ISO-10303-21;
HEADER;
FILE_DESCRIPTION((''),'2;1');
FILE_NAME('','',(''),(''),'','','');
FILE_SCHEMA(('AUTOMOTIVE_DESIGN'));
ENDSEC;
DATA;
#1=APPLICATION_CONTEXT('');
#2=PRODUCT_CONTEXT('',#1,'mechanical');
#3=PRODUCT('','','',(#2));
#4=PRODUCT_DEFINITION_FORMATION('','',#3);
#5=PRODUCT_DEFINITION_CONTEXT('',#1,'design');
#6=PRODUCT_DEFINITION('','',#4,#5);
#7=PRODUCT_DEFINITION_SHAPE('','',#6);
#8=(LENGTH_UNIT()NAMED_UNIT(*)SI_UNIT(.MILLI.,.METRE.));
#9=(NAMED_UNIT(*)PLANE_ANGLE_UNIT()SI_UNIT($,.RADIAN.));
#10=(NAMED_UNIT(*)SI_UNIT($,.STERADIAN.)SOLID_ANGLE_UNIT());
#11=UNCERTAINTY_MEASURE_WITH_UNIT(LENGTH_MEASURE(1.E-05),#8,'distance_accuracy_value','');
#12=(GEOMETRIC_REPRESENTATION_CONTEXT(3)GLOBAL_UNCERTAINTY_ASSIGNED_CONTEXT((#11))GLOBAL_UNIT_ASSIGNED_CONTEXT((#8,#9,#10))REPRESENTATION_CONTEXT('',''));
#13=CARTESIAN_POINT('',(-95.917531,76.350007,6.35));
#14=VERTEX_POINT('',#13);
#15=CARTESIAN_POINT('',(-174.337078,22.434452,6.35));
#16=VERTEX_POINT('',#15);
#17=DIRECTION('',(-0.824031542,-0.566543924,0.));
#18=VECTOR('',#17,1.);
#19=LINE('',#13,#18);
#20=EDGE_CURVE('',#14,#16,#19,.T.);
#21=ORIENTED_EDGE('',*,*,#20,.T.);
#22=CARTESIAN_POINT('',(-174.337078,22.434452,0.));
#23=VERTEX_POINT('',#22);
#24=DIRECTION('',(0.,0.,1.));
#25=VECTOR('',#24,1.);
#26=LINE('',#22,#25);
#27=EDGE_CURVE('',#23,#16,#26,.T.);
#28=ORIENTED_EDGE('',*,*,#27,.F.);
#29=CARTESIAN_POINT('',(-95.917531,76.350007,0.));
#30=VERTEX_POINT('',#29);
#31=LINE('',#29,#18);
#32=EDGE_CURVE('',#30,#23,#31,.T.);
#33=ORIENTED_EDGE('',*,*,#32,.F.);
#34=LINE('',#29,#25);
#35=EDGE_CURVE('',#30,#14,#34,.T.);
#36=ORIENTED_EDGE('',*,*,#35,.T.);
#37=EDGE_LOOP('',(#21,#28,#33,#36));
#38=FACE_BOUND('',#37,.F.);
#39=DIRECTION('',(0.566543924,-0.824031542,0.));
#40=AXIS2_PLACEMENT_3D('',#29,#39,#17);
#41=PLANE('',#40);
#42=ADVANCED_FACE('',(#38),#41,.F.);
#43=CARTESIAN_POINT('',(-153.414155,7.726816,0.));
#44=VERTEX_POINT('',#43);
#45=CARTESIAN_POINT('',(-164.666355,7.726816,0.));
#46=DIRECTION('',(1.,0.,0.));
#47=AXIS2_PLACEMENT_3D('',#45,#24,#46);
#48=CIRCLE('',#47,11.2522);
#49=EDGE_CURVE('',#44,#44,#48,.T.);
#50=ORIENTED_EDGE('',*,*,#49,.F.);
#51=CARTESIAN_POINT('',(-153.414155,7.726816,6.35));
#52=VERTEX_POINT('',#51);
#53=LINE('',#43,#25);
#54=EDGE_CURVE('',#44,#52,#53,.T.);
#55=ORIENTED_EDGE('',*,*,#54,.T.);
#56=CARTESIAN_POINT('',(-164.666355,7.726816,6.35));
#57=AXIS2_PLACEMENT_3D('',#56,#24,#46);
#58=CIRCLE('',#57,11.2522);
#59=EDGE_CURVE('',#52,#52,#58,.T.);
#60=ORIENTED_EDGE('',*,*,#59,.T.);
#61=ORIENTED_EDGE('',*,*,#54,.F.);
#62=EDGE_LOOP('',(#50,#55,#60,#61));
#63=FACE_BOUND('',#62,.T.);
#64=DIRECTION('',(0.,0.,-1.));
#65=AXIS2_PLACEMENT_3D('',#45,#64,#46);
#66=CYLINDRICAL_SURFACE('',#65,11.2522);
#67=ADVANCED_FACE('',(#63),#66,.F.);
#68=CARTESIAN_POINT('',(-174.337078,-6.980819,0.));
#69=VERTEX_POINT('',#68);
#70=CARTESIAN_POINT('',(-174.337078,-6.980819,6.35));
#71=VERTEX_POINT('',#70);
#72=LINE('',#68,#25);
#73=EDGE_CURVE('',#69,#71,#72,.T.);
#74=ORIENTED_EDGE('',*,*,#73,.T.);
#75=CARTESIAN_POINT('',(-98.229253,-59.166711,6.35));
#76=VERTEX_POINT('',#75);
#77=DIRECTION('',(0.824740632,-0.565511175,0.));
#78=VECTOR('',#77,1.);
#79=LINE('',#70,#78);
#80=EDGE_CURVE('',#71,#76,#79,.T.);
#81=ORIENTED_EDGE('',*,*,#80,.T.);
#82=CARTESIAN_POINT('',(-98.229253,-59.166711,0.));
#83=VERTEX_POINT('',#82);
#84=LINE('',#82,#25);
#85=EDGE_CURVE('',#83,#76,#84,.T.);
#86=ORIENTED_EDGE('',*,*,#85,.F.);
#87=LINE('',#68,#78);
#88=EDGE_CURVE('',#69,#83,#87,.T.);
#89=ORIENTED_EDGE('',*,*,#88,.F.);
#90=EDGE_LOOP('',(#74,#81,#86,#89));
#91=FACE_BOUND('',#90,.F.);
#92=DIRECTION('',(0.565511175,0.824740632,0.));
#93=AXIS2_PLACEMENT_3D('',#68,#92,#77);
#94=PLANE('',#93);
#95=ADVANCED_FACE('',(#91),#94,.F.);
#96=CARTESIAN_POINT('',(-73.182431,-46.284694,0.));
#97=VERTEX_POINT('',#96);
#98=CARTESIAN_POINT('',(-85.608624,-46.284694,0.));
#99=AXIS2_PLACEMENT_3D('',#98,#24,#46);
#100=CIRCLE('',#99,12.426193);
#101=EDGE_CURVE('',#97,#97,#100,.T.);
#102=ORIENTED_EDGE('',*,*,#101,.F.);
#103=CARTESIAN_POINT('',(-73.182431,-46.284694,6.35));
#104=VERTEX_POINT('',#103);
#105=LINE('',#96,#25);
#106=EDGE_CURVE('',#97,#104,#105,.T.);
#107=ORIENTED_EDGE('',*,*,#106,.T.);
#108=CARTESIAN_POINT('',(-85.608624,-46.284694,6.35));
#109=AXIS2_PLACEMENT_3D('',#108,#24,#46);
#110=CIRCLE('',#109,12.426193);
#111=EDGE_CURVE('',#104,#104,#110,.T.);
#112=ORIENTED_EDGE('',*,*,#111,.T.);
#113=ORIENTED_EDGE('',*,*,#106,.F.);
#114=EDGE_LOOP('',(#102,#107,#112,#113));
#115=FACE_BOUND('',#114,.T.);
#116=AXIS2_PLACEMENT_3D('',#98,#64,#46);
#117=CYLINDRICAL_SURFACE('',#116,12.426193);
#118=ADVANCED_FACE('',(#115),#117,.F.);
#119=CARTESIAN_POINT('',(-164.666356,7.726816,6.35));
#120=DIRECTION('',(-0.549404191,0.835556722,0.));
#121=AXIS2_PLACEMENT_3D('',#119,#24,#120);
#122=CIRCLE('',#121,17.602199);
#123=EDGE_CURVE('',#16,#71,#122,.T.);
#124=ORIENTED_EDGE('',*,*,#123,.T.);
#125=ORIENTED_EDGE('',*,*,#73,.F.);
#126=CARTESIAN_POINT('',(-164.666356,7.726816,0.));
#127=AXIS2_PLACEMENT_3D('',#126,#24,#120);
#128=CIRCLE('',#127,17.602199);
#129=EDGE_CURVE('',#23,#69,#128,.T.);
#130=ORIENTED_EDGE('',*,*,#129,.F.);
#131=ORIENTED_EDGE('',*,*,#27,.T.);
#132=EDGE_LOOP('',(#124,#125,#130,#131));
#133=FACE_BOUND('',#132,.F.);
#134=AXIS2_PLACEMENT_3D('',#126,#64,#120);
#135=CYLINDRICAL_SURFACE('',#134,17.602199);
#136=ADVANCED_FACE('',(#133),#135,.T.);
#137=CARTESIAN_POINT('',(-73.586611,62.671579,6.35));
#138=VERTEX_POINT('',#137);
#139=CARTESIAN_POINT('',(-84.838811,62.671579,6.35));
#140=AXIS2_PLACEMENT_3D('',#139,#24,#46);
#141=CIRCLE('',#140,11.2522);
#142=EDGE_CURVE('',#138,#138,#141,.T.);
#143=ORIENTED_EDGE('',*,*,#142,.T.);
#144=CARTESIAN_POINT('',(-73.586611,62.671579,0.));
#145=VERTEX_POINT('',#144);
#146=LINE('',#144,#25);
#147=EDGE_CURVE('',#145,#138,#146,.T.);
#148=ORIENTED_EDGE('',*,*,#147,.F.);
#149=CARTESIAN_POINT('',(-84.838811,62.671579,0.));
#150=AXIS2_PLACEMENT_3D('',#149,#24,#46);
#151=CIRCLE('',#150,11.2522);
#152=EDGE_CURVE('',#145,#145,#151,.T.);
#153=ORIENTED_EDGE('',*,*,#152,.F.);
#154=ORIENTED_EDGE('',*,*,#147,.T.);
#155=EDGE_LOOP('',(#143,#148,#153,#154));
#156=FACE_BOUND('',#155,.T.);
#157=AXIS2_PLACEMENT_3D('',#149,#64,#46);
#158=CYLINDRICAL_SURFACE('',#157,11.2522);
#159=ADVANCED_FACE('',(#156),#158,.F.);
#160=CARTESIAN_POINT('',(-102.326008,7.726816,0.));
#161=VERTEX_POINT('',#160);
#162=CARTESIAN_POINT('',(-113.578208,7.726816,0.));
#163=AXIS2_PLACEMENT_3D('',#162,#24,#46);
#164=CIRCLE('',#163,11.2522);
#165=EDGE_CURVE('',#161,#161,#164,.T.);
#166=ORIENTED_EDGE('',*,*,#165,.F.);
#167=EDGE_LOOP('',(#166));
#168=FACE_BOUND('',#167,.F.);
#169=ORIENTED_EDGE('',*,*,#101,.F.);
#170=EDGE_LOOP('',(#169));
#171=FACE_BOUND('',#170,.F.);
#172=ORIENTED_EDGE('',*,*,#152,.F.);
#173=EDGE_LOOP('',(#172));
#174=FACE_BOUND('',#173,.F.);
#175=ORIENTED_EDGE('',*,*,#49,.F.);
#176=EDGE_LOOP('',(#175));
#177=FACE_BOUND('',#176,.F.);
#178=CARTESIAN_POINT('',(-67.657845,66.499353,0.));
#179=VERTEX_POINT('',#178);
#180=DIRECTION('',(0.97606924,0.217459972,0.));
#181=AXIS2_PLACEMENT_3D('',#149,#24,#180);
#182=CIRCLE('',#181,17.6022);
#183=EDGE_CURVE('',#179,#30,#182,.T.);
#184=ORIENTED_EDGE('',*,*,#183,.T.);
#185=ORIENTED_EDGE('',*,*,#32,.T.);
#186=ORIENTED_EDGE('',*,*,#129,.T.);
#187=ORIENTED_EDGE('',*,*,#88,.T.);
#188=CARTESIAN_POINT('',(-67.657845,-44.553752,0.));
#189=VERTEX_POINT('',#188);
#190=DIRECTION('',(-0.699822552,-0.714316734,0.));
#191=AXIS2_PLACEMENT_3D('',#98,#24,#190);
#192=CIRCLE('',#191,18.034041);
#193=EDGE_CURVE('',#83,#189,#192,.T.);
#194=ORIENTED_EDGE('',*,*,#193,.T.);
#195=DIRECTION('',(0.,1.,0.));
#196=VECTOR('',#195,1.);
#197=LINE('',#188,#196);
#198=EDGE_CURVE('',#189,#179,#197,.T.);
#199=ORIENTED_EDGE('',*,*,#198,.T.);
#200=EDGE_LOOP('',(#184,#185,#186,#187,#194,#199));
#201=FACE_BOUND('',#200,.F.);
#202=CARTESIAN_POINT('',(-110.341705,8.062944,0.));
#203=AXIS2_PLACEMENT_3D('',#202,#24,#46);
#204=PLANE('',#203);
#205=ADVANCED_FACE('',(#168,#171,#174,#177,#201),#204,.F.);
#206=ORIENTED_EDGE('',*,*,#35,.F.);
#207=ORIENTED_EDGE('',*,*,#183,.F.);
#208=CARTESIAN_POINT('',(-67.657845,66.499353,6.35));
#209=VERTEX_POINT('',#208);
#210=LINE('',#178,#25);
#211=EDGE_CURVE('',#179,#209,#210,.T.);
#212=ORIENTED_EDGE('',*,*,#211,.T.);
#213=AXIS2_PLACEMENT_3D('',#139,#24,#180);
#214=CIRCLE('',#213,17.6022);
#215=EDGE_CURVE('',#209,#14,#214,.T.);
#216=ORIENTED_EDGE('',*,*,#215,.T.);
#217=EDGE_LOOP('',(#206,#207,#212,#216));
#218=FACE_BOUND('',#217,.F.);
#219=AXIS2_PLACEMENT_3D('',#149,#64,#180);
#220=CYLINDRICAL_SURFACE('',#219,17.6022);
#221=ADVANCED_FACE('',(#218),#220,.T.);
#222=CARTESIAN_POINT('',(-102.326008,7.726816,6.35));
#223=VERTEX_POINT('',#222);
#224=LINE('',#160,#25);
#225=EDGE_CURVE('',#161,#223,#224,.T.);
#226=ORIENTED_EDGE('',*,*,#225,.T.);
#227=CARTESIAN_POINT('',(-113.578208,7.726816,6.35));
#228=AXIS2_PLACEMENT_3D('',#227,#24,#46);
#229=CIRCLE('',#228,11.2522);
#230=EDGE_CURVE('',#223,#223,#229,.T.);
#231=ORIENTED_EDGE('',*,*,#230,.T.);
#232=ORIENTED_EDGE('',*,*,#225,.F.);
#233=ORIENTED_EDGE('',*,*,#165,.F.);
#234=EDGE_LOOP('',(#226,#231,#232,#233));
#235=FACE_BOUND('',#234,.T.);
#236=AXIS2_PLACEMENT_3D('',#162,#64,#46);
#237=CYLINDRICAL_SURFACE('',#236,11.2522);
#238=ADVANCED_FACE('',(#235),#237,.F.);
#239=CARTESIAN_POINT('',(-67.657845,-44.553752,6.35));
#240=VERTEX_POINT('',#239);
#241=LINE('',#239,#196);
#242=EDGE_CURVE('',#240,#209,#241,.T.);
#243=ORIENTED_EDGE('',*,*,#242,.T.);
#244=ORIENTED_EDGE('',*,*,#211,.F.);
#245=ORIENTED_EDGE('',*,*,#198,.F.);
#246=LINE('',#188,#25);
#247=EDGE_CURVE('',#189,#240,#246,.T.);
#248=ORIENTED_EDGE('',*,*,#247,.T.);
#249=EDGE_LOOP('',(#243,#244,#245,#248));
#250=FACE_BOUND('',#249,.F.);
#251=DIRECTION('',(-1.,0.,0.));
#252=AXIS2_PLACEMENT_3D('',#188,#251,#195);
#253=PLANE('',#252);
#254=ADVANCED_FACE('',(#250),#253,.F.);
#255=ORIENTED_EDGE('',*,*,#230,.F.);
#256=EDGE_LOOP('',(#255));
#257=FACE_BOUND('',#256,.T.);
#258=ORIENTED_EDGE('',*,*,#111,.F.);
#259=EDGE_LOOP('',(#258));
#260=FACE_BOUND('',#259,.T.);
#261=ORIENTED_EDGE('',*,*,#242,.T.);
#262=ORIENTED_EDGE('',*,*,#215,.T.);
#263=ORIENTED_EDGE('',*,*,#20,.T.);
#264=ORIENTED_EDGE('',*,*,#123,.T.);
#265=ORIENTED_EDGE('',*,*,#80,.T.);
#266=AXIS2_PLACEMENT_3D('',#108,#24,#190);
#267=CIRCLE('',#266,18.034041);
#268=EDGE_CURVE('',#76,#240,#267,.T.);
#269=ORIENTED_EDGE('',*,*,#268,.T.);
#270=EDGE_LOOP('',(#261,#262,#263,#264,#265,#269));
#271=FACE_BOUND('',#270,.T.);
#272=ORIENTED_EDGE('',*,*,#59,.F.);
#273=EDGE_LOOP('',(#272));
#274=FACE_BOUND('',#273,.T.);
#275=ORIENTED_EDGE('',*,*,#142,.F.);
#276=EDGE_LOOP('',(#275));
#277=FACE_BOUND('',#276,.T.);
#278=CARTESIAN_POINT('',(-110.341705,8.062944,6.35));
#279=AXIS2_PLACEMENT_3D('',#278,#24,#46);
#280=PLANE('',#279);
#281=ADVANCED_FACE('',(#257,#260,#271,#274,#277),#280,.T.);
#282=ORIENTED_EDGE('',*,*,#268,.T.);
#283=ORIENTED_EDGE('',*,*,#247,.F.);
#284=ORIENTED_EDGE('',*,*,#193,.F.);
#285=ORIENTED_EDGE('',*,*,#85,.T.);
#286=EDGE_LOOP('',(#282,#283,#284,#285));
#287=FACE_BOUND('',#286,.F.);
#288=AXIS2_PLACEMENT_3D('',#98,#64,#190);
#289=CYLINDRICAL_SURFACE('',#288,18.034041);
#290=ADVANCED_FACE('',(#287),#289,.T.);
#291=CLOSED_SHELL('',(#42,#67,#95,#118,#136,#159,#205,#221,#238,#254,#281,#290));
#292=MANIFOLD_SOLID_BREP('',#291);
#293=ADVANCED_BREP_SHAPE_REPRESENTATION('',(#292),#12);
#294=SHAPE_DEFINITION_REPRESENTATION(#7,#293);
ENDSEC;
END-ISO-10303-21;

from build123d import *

# Parameters (mm, degrees)
F0_R     = 11.2522
F0_R_2   = 12.426193
F1_DEPTH = 6.35


with BuildPart() as f1:
    # F0 (on Top) → F1 (new body)
    with BuildSketch(Plane.XY):
        with BuildLine():
            Line((-67.657845, -44.553752), (-67.657845, 66.499353))
            ThreePointArc((-67.657845, 66.499353), (-79.045004, 79.292928), (-95.917531, 76.350007))
            Line((-95.917531, 76.350007), (-174.337078, 22.434452))
            ThreePointArc((-174.337078, 22.434452), (-182.268555, 7.726816), (-174.337078, -6.980819))
            Line((-174.337078, -6.980819), (-98.229253, -59.166711))
            ThreePointArc((-98.229253, -59.166711), (-77.831268, -62.555507), (-67.657845, -44.553752))
        make_face()
        with Locations((-164.666355, 7.726816)):
            Circle(F0_R, mode=Mode.SUBTRACT)
        with Locations((-85.608624, -46.284694)):
            Circle(F0_R_2, mode=Mode.SUBTRACT)
        with Locations((-113.578208, 7.726816)):
            Circle(F0_R, mode=Mode.SUBTRACT)
        with Locations((-84.838811, 62.671579)):
            Circle(F0_R, mode=Mode.SUBTRACT)
    extrude(amount=F1_DEPTH)


solid = f1.part
